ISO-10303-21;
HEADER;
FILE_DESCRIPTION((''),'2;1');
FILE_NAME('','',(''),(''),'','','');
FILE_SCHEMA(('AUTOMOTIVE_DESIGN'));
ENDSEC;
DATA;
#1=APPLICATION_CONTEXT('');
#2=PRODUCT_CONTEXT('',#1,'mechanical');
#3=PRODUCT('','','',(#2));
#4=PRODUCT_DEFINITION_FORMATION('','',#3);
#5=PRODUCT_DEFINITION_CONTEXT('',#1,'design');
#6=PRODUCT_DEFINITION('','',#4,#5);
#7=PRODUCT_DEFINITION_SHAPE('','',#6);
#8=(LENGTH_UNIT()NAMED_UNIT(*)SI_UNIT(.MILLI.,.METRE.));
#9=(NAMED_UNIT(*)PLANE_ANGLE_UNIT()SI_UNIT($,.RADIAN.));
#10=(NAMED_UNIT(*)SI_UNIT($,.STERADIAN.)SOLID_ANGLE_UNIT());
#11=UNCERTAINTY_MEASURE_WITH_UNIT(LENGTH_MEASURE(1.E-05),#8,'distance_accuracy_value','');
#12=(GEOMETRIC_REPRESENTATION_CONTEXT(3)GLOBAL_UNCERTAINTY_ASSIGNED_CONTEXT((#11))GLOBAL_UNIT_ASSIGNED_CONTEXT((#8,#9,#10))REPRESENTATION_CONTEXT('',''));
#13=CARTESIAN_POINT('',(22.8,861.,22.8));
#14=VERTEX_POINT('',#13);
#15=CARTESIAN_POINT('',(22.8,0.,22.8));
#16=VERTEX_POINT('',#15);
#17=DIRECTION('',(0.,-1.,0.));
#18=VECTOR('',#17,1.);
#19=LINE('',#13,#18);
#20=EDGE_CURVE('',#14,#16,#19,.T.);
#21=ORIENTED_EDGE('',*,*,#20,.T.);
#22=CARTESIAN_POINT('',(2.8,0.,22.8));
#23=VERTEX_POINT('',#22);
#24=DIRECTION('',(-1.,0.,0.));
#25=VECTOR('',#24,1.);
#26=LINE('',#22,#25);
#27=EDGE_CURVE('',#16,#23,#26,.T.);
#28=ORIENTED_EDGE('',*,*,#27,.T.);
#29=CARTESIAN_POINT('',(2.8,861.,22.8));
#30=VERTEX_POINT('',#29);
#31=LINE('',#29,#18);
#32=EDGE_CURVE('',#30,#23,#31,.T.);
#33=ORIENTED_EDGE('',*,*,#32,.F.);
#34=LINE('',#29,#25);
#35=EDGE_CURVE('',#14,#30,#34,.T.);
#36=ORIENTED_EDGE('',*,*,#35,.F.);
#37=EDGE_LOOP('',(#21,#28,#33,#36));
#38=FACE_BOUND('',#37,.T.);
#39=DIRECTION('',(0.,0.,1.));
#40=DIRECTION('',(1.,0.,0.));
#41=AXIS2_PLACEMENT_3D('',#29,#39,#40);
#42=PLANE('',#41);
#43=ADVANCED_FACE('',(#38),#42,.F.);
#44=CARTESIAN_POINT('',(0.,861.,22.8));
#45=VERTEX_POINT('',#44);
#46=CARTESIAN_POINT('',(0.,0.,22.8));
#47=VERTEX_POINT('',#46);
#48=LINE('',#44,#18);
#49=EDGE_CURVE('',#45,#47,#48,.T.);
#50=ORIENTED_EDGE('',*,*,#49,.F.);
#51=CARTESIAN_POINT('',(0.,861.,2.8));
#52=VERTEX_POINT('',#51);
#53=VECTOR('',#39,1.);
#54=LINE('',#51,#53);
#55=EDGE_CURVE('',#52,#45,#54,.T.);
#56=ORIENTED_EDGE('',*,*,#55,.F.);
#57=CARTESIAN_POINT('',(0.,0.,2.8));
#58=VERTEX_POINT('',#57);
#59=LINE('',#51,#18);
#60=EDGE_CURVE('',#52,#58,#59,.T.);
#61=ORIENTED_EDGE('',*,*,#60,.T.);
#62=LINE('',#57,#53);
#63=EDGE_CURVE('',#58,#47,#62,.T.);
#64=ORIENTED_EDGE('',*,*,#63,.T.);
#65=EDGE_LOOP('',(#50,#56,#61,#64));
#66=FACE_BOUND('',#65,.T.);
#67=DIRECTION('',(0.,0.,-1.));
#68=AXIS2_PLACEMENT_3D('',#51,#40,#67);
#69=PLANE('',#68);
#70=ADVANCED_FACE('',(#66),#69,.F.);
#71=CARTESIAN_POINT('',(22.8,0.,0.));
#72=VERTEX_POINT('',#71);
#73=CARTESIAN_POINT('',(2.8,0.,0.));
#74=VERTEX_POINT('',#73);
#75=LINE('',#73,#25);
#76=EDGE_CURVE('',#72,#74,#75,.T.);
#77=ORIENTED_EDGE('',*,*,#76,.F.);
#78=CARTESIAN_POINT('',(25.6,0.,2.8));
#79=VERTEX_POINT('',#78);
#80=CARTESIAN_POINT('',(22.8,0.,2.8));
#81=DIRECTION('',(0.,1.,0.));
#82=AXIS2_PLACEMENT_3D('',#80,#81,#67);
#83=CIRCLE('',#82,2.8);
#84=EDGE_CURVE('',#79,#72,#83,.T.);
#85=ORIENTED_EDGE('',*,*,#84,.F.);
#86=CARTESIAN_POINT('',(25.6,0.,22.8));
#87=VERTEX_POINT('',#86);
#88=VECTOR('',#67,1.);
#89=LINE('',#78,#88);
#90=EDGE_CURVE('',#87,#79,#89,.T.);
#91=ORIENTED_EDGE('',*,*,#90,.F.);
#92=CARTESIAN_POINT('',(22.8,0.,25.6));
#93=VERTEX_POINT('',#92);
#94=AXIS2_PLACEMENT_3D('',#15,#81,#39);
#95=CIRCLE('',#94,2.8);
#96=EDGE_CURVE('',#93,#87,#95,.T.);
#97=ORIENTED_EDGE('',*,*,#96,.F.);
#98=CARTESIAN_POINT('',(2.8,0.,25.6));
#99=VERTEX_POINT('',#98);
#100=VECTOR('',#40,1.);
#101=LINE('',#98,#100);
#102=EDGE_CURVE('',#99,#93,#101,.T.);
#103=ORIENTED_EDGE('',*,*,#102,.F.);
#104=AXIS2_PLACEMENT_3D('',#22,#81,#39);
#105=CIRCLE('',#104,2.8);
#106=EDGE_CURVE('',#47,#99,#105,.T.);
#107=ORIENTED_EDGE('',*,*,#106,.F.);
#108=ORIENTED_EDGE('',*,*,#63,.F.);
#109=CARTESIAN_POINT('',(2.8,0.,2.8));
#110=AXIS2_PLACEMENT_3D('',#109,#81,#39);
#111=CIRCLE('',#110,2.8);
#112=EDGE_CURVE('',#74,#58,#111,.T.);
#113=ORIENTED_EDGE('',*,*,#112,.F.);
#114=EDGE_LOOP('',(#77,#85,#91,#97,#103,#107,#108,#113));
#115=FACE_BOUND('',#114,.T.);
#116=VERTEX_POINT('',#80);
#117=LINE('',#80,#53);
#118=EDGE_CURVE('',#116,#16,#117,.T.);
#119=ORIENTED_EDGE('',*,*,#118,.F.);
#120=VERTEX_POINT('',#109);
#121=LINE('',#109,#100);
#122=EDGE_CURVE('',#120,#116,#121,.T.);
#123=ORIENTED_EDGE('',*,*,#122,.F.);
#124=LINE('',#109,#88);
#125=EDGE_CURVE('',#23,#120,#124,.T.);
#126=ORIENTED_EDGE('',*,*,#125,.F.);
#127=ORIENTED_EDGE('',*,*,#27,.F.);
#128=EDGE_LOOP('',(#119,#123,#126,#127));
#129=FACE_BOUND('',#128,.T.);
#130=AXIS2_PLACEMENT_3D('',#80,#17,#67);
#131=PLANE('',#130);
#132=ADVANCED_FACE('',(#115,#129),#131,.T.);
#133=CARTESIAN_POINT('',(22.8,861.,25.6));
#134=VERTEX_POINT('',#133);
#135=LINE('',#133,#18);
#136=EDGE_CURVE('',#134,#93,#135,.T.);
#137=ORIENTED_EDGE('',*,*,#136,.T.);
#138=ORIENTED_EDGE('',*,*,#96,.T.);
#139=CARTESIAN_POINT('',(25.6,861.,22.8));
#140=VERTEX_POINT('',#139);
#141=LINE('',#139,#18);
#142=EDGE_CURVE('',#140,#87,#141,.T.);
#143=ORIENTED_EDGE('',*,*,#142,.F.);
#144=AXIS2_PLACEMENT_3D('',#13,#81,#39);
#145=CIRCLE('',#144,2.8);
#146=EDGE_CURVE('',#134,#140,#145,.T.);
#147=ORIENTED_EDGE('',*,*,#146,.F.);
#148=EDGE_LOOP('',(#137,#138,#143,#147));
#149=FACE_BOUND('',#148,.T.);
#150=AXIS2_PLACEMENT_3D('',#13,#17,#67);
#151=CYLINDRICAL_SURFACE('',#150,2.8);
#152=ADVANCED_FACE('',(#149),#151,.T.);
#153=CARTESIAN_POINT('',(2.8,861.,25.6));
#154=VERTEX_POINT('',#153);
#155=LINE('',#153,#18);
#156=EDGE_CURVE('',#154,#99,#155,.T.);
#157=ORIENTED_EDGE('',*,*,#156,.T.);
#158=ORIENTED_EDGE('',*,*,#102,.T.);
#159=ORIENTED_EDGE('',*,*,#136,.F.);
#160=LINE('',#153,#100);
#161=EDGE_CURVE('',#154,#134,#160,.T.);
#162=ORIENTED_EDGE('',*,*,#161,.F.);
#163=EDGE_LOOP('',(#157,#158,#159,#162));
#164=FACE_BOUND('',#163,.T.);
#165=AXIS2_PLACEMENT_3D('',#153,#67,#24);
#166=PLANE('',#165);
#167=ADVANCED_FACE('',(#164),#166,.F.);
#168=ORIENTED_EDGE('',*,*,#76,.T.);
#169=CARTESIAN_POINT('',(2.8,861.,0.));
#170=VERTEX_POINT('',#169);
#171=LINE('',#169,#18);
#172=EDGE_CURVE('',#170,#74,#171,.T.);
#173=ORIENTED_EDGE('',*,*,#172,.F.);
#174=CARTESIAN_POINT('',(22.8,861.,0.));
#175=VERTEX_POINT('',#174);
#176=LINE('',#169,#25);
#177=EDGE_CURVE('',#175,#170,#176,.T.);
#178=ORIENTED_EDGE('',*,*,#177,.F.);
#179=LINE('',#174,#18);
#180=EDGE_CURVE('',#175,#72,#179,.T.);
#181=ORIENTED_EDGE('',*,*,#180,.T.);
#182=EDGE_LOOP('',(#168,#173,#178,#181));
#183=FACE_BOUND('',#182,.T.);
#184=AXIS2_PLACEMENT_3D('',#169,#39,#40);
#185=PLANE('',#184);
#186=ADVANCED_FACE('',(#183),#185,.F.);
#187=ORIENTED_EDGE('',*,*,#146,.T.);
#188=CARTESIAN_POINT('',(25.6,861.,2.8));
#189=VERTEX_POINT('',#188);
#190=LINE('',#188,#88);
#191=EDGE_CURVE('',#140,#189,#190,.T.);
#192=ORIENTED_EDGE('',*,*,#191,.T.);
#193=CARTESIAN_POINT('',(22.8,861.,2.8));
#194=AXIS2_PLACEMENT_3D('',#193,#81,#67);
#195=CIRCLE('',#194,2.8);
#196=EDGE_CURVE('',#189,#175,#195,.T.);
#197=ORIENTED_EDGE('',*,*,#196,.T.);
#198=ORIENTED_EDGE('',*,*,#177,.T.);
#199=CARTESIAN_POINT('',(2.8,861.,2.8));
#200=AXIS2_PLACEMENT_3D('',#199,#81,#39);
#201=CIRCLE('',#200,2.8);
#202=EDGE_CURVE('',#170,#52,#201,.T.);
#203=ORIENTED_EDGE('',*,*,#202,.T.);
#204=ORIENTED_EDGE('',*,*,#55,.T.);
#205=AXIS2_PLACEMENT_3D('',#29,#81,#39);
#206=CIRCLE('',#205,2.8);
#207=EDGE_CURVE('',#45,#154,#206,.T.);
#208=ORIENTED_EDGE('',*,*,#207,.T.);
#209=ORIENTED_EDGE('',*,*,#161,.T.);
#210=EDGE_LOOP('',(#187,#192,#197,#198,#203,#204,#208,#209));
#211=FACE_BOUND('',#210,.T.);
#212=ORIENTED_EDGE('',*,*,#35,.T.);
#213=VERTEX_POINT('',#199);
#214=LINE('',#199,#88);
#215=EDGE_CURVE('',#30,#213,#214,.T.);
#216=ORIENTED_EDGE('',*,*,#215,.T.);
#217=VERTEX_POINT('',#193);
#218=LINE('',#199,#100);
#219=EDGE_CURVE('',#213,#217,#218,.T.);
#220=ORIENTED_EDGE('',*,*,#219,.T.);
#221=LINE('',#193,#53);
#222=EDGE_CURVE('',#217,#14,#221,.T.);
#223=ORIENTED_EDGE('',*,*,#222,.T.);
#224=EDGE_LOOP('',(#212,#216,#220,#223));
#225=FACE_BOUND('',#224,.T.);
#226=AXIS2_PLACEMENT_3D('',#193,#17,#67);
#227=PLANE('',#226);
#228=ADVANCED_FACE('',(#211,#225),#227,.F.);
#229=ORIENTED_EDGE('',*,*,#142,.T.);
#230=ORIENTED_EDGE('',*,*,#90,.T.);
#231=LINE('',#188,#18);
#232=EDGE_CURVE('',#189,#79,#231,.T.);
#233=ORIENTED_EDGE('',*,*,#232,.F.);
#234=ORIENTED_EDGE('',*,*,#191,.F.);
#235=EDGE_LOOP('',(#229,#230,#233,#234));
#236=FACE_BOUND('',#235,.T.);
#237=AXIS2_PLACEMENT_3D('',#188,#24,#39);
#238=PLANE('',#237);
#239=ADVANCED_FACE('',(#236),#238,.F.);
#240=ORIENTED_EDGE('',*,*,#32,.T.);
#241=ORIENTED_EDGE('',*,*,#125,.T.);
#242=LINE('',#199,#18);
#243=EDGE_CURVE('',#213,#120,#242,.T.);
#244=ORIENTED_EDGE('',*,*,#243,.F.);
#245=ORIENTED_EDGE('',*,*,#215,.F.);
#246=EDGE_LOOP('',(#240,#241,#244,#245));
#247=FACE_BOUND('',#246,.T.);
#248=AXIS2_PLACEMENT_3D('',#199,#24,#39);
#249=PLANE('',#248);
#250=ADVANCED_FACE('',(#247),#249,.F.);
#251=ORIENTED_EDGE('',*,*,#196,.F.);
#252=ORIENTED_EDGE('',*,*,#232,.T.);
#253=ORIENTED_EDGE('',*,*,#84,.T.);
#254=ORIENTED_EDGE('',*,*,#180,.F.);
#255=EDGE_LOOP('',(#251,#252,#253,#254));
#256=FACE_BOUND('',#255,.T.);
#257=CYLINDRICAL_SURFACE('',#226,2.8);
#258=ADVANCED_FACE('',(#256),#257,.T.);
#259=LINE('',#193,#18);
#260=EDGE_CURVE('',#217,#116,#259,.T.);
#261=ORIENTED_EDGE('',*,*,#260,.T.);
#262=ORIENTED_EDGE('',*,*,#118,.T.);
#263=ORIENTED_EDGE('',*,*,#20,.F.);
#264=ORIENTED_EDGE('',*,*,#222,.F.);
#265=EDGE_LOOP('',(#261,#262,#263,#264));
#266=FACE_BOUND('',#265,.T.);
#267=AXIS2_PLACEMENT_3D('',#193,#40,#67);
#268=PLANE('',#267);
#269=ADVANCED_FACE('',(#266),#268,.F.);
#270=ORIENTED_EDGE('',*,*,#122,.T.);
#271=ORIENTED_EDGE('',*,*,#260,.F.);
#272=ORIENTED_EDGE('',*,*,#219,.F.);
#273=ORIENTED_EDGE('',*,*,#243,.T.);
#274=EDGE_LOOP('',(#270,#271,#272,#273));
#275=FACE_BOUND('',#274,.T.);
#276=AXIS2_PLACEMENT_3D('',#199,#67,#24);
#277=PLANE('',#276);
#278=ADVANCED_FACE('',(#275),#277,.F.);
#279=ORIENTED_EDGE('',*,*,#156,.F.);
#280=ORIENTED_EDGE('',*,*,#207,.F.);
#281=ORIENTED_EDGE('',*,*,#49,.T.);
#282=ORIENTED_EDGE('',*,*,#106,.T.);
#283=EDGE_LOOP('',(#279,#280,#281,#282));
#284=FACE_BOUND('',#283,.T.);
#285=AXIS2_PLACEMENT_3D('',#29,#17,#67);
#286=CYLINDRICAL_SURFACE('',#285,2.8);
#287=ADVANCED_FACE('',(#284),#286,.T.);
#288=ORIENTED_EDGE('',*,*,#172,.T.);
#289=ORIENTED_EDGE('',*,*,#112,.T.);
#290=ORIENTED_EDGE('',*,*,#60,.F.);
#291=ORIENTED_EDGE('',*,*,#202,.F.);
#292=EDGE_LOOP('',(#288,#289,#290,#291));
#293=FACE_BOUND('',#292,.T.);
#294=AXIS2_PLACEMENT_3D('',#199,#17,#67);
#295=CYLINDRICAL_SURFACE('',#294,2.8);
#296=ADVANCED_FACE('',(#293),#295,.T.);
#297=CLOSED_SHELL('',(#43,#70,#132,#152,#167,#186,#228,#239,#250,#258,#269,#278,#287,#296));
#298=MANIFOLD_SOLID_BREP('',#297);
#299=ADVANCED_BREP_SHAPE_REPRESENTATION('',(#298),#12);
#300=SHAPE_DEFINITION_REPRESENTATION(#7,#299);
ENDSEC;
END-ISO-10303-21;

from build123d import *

# Parameters (mm, degrees)
BOSS_EXTRUDE1_DEPTH = 861
SKETCH3_W           = 20
SKETCH3_H           = 20
CUT_EXTRUDE1_DEPTH  = 861


with BuildPart() as part:
    # Sketch1 → Boss-Extrude1 (new body)
    with BuildSketch(Plane(origin=(0, 0, 0), x_dir=(1, 0, 0), z_dir=(0, 1, 0))):
        with BuildLine():
            Line((2.8, 0), (22.8, 0))
            ThreePointArc((22.8, 0), (24.779898987, -0.820101013), (25.6, -2.8))
            Line((25.6, -2.8), (25.6, -22.8))
            ThreePointArc((25.6, -22.8), (24.779898987, -24.779898987), (22.8, -25.6))
            Line((22.8, -25.6), (2.8, -25.6))
            ThreePointArc((2.8, -25.6), (0.820101013, -24.779898987), (0, -22.8))
            Line((0, -22.8), (0, -2.8))
            ThreePointArc((0, -2.8), (0.820101013, -0.820101013), (2.8, 0))
        make_face()
    extrude(amount=BOSS_EXTRUDE1_DEPTH)

    # Sketch3 → Cut-Extrude1 (cut)
    with BuildSketch(Plane(origin=(0, 0, 0), x_dir=(-1, 0, 0), z_dir=(0, -1, 0))):
        with Locations((-12.8, -12.8)):
            Rectangle(SKETCH3_W, SKETCH3_H)
    extrude(amount=-CUT_EXTRUDE1_DEPTH, mode=Mode.SUBTRACT)


solid = part.part
